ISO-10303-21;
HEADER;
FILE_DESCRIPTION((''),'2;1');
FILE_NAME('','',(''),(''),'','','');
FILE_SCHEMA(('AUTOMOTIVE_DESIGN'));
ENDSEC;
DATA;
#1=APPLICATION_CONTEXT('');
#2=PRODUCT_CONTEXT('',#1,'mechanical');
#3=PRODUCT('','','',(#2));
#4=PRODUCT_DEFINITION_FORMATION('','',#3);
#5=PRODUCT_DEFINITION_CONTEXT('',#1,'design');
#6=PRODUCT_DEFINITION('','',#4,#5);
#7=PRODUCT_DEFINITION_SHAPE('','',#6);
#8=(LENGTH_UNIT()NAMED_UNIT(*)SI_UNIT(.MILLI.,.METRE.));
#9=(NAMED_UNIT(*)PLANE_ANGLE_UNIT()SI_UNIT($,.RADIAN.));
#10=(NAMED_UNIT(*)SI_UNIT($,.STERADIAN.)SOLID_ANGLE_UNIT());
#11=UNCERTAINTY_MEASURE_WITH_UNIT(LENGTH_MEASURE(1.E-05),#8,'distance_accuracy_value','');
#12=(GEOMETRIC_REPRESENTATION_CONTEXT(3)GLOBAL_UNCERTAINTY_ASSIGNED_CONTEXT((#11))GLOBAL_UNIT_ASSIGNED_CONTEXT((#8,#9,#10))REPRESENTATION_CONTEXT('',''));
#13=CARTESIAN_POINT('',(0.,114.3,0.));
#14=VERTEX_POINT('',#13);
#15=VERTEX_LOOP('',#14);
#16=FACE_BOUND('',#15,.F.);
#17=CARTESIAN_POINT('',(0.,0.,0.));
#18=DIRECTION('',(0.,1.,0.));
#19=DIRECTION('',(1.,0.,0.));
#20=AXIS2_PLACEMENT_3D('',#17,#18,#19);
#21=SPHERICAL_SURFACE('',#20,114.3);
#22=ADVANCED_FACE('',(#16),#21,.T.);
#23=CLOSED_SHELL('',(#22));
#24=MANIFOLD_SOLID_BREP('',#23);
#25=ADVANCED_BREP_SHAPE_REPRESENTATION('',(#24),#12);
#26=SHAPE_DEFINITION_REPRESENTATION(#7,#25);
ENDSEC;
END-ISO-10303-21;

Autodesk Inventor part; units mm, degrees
ref_plane "YZ Plane" through (0, 0, 0) normal (1, 0, 0) x (0, 1, 0)
ref_plane "XZ Plane" through (0, 0, 0) normal (0, 1, 0) x (-1, 0, 0)
ref_plane "XY Plane" through (0, 0, 0) normal (0, 0, 1) x (1, 0, 0)
sketch "Sketch1" plane through (0, 0, 0) normal (0, 0, 1) x (1, 0, 0)
  arc A0 (0, -114.3) -> (0, 114.3) centre (0, 0) ccw
  line L0 (0, 114.3) -> (0, -114.3)
  point P0 (0, 0)
  dimension "d0" = 228.6
revolve "Revolution1" add sketch "Sketch1" angle 360 about axis through (0, 114.3, 0) along (0, -1, 0)
properties part number "FRC 2016 Ball"
